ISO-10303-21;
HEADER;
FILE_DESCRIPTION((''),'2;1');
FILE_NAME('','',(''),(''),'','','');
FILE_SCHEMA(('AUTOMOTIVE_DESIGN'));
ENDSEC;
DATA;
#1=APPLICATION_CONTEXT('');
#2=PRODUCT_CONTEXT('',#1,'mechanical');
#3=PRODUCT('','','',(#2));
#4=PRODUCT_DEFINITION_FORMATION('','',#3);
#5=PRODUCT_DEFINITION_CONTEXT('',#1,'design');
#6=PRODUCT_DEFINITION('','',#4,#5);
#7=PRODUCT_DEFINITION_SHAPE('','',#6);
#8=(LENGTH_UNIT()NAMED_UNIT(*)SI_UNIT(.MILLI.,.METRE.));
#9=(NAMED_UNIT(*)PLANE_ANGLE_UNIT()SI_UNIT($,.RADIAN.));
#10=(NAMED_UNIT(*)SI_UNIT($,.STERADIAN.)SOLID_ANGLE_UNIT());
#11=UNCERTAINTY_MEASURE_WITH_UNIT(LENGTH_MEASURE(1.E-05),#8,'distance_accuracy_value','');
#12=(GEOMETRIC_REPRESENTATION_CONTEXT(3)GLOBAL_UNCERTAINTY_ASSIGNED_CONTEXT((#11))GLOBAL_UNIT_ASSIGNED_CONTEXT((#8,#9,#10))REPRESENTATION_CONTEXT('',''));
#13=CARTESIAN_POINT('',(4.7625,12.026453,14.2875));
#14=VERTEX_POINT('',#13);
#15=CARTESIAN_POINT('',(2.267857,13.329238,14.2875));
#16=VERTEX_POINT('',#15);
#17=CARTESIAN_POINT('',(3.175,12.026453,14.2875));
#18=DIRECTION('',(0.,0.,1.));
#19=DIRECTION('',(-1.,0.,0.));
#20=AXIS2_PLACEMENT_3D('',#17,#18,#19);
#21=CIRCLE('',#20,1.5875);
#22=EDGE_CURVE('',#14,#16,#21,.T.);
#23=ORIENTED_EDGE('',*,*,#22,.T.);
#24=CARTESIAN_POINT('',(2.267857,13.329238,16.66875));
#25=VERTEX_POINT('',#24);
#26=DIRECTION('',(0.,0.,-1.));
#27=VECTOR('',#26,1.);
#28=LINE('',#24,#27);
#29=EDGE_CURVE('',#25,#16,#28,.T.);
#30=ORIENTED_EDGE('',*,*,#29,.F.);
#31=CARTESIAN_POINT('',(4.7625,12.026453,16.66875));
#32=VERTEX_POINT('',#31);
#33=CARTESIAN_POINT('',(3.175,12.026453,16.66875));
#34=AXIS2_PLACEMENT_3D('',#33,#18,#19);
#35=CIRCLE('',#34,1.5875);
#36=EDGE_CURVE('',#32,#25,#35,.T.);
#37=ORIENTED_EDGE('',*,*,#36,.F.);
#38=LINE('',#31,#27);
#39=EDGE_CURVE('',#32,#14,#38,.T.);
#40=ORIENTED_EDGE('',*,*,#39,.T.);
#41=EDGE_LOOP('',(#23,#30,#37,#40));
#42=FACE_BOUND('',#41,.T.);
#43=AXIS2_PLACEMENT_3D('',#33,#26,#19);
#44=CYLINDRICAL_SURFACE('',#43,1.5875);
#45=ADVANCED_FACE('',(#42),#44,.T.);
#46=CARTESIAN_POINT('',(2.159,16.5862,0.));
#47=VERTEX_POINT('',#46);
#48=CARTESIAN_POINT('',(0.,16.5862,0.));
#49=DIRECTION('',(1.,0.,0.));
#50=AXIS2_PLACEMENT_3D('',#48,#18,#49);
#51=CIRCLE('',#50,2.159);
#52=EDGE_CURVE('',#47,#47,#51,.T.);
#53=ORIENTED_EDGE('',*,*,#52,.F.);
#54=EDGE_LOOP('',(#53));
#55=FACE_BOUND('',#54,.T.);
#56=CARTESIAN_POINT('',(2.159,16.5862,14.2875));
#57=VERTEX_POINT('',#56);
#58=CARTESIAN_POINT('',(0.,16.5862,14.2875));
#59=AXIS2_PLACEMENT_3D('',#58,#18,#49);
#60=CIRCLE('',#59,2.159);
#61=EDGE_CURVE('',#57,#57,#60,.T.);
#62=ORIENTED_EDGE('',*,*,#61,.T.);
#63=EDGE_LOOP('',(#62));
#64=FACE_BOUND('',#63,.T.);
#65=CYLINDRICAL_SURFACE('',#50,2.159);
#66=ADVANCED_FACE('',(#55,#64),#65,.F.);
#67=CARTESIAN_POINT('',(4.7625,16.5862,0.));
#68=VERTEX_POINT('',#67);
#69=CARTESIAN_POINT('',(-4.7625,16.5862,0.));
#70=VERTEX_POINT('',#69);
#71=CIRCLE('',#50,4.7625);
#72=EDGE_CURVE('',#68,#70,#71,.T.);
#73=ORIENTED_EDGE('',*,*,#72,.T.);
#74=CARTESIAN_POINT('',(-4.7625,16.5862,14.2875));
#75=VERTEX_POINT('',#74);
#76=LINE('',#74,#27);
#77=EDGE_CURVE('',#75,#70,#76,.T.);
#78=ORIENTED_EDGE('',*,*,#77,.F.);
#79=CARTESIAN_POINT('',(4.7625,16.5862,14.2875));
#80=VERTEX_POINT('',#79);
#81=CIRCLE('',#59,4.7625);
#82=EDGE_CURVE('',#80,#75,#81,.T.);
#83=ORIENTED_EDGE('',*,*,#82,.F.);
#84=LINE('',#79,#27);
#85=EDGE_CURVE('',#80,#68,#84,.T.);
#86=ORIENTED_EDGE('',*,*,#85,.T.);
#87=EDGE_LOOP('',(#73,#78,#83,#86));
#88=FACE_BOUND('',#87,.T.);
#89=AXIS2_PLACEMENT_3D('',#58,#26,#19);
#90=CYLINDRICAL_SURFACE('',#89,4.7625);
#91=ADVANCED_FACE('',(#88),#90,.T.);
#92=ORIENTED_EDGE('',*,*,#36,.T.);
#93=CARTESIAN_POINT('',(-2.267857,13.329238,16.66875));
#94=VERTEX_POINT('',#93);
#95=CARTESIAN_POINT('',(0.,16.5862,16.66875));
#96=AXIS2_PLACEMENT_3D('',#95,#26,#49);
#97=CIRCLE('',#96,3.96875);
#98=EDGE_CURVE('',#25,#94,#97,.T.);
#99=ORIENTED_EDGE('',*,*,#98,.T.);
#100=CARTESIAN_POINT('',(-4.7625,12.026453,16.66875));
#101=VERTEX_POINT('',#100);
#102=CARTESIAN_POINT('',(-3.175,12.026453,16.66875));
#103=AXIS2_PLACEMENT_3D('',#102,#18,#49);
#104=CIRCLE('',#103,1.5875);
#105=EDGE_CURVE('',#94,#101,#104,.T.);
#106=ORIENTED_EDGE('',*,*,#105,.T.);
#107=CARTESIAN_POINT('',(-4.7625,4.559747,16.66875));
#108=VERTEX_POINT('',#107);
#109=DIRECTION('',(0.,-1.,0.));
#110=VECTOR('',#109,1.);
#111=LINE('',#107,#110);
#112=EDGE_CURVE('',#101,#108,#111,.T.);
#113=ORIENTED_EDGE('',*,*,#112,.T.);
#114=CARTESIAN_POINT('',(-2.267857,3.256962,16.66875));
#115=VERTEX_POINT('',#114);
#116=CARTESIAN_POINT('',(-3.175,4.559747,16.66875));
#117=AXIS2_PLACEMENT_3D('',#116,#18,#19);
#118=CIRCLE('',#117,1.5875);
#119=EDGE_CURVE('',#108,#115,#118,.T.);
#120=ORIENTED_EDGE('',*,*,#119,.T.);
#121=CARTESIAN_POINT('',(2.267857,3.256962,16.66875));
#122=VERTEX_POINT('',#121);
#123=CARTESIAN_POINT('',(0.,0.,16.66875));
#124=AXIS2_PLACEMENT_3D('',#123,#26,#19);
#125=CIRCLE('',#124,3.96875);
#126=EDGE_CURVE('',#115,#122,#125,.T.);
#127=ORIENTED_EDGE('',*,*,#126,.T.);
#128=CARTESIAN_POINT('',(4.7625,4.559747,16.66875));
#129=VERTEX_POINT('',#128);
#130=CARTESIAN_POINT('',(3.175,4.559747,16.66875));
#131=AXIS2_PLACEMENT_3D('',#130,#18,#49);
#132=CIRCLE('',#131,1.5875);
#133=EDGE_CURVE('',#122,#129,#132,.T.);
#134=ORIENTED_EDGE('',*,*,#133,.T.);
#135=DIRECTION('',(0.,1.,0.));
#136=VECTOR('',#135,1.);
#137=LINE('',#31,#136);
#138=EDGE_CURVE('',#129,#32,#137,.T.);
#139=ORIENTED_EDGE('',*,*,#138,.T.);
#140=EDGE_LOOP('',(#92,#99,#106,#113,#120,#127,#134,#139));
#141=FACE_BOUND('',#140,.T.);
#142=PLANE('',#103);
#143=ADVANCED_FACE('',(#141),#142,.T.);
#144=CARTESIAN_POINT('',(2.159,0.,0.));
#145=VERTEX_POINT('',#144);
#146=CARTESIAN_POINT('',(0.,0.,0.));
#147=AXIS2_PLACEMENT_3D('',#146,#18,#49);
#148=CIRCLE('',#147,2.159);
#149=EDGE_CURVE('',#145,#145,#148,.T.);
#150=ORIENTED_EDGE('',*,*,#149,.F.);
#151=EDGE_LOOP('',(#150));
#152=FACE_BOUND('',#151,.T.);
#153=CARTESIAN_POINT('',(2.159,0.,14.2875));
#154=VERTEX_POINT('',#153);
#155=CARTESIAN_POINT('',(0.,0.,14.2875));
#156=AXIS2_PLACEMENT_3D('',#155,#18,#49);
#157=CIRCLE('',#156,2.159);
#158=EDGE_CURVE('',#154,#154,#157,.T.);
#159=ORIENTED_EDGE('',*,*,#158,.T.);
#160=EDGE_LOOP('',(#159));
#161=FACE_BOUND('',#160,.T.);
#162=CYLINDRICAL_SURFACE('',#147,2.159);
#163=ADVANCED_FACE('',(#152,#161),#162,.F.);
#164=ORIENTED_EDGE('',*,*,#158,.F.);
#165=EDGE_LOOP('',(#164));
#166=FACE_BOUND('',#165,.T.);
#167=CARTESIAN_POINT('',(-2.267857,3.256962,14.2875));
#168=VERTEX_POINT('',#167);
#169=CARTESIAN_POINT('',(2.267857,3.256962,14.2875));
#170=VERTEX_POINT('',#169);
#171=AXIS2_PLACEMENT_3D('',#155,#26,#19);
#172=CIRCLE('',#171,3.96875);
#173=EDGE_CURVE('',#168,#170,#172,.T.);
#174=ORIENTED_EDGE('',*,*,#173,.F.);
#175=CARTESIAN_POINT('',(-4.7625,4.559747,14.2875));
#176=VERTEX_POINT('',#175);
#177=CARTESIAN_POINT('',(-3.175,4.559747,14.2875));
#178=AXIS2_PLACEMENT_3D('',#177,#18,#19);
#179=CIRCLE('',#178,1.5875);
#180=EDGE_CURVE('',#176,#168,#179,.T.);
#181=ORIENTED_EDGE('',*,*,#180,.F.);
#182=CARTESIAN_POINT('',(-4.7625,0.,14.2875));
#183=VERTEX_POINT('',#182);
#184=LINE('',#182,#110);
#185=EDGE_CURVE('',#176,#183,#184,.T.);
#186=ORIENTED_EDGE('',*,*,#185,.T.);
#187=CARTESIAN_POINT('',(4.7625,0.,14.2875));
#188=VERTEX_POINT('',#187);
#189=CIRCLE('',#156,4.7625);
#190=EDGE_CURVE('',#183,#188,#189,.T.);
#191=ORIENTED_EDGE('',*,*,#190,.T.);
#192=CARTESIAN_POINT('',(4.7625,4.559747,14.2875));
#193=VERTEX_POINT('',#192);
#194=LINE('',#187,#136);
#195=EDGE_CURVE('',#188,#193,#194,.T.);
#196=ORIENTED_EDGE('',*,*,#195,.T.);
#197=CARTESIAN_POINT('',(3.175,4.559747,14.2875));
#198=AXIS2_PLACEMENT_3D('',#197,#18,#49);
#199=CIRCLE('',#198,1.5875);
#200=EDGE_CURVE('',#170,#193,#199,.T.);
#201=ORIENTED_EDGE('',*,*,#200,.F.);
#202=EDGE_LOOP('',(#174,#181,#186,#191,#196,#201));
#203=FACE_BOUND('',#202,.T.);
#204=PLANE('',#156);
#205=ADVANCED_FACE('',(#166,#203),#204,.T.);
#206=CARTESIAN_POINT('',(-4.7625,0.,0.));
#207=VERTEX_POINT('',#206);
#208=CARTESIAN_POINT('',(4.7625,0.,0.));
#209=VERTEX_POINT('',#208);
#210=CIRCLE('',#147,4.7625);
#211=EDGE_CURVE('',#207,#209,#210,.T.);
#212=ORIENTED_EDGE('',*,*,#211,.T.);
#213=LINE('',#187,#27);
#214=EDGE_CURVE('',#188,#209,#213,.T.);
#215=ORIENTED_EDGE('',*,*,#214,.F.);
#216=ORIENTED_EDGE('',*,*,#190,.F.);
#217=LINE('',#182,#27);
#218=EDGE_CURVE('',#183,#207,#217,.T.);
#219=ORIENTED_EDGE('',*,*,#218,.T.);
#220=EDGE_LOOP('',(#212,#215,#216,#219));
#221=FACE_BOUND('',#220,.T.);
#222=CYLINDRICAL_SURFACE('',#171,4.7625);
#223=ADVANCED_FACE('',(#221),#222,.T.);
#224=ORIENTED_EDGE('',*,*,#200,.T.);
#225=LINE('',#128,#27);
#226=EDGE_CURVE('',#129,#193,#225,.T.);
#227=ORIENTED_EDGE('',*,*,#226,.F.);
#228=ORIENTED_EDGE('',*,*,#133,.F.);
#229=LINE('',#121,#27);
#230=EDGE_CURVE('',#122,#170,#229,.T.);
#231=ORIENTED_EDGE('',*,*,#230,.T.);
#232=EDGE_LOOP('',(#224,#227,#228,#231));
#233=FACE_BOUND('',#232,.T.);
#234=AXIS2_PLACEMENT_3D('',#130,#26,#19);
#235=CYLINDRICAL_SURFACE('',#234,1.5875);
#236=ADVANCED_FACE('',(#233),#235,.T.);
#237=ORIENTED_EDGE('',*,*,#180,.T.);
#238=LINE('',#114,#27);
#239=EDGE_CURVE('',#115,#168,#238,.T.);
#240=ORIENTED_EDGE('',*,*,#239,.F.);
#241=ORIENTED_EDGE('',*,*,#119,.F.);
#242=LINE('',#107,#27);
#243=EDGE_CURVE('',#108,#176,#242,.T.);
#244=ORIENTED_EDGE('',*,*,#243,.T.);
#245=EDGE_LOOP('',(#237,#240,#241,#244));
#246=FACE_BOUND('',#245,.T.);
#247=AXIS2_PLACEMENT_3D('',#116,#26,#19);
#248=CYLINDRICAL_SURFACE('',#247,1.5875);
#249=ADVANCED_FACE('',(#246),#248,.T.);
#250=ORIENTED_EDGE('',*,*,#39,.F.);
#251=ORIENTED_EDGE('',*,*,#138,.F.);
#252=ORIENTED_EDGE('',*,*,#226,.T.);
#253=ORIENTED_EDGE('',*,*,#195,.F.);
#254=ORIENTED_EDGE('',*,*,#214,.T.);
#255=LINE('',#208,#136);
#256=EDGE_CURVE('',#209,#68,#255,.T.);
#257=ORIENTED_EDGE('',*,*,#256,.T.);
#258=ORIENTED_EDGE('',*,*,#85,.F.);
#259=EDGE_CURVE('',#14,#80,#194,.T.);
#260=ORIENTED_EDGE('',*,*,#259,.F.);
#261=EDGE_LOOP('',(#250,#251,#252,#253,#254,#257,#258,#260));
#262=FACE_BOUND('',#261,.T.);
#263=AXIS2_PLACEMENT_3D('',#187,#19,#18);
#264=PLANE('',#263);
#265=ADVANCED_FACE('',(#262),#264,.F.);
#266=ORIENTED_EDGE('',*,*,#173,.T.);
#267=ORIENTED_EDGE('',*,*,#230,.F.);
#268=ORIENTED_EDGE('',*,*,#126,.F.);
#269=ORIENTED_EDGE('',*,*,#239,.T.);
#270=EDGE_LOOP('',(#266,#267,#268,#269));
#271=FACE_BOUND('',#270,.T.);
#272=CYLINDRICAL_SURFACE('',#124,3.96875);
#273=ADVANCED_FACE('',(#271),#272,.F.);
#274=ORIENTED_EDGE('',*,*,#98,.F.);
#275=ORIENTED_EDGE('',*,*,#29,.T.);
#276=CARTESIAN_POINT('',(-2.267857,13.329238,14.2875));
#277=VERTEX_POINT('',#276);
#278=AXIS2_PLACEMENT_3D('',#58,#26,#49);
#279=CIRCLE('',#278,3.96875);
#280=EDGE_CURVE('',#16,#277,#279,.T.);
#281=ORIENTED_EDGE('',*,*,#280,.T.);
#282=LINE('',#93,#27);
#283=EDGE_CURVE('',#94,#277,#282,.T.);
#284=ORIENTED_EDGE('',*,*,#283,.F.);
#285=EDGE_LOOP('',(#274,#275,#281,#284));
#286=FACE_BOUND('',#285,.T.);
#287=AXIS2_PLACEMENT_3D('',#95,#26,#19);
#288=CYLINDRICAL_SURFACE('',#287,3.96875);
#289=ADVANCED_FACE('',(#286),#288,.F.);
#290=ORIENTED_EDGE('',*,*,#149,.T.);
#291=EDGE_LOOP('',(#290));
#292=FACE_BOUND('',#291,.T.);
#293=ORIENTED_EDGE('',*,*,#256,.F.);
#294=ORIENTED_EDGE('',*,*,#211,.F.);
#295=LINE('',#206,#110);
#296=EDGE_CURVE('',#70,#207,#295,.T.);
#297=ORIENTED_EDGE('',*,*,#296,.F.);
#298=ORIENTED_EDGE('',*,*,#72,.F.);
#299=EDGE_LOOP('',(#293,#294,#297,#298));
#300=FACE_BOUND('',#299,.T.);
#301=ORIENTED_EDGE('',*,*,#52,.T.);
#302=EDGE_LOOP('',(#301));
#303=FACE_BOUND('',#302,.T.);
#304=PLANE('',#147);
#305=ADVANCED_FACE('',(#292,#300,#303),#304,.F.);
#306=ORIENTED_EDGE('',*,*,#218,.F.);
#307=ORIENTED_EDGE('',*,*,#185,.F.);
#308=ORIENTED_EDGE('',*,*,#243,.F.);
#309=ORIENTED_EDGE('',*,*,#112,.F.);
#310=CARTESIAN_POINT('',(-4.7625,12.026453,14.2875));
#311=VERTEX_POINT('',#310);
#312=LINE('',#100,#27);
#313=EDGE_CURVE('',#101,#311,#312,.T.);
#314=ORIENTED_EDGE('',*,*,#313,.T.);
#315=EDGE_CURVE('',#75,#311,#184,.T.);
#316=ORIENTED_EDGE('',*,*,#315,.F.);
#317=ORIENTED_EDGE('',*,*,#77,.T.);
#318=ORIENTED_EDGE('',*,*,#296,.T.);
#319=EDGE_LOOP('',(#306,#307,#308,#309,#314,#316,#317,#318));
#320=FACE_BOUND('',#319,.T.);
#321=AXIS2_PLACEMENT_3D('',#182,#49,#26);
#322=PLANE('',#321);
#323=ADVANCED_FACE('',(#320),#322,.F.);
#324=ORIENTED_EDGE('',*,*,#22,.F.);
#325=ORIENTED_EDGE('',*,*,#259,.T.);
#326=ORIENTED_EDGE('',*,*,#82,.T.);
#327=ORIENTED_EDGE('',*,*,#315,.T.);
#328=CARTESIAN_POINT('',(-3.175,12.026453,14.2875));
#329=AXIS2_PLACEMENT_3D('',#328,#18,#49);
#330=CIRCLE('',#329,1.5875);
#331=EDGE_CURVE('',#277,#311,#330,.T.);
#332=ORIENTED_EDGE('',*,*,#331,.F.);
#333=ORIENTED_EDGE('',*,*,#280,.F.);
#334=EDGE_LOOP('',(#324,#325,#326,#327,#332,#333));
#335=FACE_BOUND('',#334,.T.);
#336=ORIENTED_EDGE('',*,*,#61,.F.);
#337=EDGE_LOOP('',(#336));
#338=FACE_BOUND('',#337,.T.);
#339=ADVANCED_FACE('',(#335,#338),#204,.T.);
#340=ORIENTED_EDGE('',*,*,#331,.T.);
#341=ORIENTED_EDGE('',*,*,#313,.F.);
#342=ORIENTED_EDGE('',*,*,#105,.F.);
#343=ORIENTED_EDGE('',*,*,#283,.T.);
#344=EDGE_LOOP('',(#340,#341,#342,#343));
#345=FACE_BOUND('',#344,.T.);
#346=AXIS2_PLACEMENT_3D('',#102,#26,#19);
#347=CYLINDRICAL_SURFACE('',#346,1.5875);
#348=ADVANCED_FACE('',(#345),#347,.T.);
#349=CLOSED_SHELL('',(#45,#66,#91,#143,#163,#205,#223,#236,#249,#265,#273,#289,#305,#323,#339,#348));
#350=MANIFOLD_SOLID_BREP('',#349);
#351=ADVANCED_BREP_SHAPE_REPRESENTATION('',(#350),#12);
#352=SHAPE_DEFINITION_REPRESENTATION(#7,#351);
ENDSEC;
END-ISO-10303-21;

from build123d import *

# Parameters (mm, degrees)
BOSS_EXTRUDE1_DEPTH = 14.2875
SKETCH4_R           = 2.159
CUT_EXTRUDE2_DEPTH  = 27.126252203
BOSS_EXTRUDE3_DEPTH = 2.38125


with BuildPart() as part:
    # Sketch1 → Boss-Extrude1 (new body)
    with BuildSketch(Plane.XY):
        with BuildLine():
            Line((-4.7625, 0), (-4.7625, 16.5862))
            ThreePointArc((-4.7625, 16.5862), (0, 21.3487), (4.7625, 16.5862))
            Line((4.7625, 16.5862), (4.7625, 0))
            ThreePointArc((4.7625, 0), (0, -4.7625), (-4.7625, 0))
        make_face()
    extrude(amount=BOSS_EXTRUDE1_DEPTH)

    # Sketch4 → Cut-Extrude2 (cut, through all)
    with BuildSketch(Plane.XY.offset(14.2875)):
        with Locations((0, 16.5862)):
            Circle(SKETCH4_R)
        Circle(SKETCH4_R)
    extrude(amount=-CUT_EXTRUDE2_DEPTH, mode=Mode.SUBTRACT)

    # Sketch5 → Boss-Extrude3 (add)
    with BuildSketch(Plane.XY.offset(14.2875)):
        with BuildLine():
            Line((-4.7625, 4.559746601), (-4.7625, 12.026453399))
            ThreePointArc((-4.7625, 12.026453399), (-3.909869704, 13.43362175), (-2.267857143, 13.329238142))
            ThreePointArc((-2.267857143, 13.329238142), (0, 12.61745), (2.267857143, 13.329238142))
            ThreePointArc((2.267857143, 13.329238142), (3.909869704, 13.43362175), (4.7625, 12.026453399))
            Line((4.7625, 12.026453399), (4.7625, 4.559746601))
            ThreePointArc((4.7625, 4.559746601), (3.909869704, 3.15257825), (2.267857143, 3.256961858))
            ThreePointArc((2.267857143, 3.256961858), (0, 3.96875), (-2.267857143, 3.256961858))
            ThreePointArc((-2.267857143, 3.256961858), (-3.909869704, 3.15257825), (-4.7625, 4.559746601))
        make_face()
    extrude(amount=BOSS_EXTRUDE3_DEPTH)


solid = part.part
